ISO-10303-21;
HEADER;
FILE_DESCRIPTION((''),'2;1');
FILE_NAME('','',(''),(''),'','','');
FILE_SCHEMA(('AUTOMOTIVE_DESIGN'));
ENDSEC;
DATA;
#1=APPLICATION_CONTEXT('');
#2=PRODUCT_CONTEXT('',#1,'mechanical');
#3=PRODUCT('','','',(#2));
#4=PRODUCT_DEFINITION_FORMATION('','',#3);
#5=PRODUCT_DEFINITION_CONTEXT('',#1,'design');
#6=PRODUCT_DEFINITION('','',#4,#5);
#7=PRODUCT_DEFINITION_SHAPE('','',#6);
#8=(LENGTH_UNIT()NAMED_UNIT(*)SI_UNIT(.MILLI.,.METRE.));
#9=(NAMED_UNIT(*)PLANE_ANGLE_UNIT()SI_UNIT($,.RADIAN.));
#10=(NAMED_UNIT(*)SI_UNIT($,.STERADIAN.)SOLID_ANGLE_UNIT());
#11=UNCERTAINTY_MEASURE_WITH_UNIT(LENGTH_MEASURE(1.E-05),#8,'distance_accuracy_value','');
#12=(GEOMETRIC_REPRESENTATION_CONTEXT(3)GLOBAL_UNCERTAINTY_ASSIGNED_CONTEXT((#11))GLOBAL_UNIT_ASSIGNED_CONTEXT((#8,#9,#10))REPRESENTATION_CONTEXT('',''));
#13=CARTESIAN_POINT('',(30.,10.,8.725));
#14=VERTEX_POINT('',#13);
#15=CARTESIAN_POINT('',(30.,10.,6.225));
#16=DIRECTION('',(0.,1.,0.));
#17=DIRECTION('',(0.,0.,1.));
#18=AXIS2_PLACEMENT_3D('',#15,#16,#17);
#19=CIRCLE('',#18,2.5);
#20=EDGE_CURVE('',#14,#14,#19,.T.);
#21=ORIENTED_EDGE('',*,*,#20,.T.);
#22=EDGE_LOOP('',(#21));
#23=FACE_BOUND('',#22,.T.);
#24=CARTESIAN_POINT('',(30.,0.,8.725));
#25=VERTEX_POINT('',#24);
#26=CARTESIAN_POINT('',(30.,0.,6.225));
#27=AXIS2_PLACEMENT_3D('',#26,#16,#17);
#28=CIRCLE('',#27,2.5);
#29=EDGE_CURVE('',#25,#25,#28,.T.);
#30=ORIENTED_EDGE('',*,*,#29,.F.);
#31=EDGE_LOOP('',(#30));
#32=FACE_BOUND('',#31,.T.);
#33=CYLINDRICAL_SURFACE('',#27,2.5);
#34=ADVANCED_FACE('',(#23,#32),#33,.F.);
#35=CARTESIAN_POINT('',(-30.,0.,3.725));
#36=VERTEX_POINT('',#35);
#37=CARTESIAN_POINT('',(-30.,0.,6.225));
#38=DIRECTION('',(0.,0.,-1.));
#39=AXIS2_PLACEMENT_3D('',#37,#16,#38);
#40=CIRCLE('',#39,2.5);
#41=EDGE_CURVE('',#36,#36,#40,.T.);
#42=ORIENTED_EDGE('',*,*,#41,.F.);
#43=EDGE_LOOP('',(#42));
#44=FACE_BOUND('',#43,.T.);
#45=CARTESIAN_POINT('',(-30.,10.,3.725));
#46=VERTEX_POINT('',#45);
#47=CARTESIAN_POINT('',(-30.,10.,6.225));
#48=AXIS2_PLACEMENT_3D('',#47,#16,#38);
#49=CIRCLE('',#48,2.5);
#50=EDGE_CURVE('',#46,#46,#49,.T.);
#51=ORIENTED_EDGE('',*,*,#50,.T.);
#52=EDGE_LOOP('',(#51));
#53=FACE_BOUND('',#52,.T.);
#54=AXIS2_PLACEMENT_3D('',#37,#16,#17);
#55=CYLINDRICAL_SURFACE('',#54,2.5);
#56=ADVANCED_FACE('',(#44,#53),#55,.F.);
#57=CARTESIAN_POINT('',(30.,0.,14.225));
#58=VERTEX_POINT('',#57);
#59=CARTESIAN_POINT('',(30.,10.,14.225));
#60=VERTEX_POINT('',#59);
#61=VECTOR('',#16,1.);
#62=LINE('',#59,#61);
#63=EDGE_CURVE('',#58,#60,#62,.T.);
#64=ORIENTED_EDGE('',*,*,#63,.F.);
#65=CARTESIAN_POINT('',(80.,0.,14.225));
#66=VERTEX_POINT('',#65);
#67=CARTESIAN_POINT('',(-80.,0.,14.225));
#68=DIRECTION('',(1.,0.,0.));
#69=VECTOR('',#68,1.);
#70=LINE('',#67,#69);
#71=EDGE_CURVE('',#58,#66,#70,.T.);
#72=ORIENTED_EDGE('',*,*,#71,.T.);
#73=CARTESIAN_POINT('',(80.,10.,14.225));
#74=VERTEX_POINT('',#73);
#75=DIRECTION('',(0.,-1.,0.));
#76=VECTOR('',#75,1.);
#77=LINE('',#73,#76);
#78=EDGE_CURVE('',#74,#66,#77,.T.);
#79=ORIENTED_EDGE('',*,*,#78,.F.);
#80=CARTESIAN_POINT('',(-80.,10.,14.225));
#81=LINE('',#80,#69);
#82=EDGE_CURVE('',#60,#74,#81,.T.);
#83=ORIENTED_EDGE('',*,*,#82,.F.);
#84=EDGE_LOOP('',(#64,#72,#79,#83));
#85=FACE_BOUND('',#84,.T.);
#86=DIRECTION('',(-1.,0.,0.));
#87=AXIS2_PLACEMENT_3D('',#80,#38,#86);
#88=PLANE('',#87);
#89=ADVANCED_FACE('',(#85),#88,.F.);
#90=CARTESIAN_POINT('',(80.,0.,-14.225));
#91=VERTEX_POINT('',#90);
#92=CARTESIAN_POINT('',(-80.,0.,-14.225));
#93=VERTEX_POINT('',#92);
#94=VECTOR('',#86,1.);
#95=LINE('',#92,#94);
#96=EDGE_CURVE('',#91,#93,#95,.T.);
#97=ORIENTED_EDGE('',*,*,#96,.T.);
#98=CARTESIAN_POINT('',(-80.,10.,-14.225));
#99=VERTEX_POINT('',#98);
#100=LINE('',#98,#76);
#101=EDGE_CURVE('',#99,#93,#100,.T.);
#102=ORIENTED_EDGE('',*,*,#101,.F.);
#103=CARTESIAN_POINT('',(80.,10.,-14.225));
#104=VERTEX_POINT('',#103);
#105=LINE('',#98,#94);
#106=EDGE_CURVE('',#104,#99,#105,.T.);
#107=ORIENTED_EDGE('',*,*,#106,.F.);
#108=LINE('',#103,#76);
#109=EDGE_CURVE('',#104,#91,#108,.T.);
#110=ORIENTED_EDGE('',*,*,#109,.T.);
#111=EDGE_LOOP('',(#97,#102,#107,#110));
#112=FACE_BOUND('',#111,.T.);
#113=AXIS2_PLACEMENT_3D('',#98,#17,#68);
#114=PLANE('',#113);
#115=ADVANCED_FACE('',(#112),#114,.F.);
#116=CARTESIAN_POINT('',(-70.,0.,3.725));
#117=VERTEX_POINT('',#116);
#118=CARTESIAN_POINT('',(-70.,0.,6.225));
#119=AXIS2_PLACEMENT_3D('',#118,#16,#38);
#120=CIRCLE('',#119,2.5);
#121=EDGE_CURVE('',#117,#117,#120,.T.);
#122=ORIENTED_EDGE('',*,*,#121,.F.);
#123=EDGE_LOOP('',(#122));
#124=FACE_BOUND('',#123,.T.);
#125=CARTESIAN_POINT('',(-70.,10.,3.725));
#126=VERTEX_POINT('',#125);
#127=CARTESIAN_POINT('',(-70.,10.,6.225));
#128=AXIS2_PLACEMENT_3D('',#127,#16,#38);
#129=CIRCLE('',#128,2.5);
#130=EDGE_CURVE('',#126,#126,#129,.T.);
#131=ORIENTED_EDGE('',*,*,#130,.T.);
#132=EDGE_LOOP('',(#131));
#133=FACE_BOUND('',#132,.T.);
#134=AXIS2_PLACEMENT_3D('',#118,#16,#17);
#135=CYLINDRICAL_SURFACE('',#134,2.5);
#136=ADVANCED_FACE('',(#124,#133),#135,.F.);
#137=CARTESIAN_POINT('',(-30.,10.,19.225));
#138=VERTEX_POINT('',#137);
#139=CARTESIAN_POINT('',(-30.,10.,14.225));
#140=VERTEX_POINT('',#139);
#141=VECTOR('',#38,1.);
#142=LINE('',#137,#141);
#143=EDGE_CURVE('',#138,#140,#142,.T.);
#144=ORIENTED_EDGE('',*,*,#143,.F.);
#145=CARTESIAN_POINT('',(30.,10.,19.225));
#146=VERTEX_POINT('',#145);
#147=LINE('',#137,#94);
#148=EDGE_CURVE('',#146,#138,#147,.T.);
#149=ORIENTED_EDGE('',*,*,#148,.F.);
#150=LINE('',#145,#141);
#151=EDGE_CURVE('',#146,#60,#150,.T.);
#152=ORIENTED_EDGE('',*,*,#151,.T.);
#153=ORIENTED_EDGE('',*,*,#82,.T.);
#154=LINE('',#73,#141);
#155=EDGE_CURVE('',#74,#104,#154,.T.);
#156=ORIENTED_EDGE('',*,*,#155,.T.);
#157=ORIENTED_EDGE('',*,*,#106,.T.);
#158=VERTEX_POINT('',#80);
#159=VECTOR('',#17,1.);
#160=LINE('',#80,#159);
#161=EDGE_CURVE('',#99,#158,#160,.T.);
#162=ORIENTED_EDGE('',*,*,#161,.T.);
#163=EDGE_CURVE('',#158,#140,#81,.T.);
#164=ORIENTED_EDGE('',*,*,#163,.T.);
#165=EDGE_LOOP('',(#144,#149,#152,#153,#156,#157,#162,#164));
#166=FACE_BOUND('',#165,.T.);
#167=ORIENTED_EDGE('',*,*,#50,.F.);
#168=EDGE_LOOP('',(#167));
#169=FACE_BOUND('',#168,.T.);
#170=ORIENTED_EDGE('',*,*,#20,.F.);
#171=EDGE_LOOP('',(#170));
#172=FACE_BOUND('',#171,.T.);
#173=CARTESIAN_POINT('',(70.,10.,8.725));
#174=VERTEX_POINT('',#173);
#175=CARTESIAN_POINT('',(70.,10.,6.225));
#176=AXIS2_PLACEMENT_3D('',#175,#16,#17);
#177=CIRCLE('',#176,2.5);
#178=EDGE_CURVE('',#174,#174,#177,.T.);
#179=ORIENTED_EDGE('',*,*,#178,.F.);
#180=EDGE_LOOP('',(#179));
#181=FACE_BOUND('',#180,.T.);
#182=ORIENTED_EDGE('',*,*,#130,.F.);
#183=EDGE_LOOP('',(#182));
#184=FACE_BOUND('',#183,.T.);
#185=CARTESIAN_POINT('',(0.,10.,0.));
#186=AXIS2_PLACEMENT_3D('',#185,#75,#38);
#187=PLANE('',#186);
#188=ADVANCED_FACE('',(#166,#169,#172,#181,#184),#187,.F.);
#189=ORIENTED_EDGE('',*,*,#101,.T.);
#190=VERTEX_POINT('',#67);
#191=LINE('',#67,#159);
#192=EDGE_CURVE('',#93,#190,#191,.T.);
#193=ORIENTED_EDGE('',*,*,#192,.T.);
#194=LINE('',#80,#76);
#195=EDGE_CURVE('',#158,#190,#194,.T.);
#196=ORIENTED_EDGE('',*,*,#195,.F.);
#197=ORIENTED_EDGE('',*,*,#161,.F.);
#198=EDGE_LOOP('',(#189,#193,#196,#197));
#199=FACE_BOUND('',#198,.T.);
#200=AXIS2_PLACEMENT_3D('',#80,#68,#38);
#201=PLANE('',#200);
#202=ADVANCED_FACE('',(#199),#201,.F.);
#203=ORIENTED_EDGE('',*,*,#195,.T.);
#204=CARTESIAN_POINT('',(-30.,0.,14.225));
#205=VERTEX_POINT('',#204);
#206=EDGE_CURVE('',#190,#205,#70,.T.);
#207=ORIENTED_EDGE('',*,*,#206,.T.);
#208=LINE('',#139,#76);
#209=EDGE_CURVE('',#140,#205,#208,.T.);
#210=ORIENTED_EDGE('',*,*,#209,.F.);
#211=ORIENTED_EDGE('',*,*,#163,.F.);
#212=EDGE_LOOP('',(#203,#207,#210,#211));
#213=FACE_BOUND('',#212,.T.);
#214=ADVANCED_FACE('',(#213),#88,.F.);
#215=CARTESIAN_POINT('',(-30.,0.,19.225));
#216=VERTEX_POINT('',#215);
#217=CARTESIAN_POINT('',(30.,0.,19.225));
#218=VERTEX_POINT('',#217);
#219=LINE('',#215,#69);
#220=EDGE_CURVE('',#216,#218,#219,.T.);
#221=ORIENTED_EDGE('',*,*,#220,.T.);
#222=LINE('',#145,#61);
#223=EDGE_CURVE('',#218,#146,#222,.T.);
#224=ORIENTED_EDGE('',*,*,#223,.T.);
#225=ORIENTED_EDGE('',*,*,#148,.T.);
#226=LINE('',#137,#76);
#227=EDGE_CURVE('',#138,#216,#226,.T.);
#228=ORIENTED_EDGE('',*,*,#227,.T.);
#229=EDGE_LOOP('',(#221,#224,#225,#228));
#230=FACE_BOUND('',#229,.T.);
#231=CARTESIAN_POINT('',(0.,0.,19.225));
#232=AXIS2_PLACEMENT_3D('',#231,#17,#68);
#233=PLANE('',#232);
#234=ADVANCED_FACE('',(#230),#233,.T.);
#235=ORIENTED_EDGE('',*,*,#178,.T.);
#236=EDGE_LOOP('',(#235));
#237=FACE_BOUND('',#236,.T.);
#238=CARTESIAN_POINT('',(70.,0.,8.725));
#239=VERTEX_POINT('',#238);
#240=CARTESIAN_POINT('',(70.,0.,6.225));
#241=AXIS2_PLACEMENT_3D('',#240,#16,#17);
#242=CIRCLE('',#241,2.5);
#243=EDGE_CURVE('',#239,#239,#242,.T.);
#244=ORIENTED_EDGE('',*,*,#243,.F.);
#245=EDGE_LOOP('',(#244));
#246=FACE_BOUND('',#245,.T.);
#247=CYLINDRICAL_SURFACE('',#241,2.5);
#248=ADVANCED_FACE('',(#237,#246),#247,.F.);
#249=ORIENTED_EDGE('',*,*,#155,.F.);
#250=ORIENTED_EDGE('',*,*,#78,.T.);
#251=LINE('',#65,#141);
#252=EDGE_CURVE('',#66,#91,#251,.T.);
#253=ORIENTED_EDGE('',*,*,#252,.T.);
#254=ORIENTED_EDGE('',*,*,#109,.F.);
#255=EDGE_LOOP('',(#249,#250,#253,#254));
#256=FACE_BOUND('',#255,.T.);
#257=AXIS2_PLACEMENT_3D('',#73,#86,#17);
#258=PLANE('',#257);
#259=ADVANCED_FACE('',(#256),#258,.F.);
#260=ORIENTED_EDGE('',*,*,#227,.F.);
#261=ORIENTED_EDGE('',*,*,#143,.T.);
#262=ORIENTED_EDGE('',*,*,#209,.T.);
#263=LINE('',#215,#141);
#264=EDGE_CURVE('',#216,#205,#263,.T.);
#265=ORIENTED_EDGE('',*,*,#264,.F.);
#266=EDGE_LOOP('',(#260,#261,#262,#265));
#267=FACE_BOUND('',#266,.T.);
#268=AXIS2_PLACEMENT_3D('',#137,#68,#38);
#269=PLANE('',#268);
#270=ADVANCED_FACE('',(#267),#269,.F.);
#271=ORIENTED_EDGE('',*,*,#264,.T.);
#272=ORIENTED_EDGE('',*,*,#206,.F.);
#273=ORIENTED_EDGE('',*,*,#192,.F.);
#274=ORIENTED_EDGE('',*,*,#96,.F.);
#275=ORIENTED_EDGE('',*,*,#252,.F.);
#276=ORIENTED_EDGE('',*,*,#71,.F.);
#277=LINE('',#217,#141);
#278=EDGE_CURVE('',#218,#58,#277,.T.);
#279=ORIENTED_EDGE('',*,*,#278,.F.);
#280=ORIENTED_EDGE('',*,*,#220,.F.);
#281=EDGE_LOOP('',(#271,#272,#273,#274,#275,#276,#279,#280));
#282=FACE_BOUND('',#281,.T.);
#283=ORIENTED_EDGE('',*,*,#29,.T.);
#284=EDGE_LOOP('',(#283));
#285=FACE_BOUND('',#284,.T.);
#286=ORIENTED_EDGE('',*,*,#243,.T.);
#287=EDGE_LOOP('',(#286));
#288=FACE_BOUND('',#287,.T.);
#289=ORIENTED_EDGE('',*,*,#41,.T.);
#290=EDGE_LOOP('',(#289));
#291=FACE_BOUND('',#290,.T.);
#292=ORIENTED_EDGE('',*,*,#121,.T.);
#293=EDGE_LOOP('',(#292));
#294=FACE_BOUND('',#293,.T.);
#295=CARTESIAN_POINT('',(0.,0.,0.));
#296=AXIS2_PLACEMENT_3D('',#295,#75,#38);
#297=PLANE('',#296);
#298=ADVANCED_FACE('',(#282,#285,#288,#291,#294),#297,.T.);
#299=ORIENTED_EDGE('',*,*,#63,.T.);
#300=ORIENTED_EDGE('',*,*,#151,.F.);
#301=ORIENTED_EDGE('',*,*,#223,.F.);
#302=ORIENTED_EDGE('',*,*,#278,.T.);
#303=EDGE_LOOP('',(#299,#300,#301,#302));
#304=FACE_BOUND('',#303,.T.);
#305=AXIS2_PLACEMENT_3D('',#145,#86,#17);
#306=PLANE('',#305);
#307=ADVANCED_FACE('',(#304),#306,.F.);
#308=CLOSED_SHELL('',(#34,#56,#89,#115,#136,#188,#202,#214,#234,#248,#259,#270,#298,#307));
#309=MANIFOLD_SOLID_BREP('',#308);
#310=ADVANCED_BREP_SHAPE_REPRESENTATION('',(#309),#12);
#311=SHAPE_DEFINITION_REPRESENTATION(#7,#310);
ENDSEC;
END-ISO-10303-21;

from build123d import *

# Parameters (mm, degrees)
SKETCH2_W           = 160
SKETCH2_H           = 28.45
BOSS_EXTRUDE1_DEPTH = 10
SKETCH4_W           = 60
SKETCH4_H           = 10
BOSS_EXTRUDE2_DEPTH = 5
SKETCH5_R           = 2.5
CUT_EXTRUDE1_DEPTH  = 83.883053907


with BuildPart() as part:
    # Sketch2 → Boss-Extrude1 (new body)
    with BuildSketch(Plane(origin=(0, 0, 0), x_dir=(1, 0, 0), z_dir=(0, 1, 0))):
        Rectangle(SKETCH2_W, SKETCH2_H)
    extrude(amount=BOSS_EXTRUDE1_DEPTH)

    # Sketch4 → Boss-Extrude2 (add)
    with BuildSketch(Plane.XY.offset(14.225)):
        with Locations((0, 5)):
            Rectangle(SKETCH4_W, SKETCH4_H)
    extrude(amount=BOSS_EXTRUDE2_DEPTH)

    # Sketch5 → Cut-Extrude1 (cut, through all)
    with BuildSketch(Plane(origin=(0, 10, 0), x_dir=(1, 0, 0), z_dir=(0, 1, 0))):
        with Locations(Location((70, -6.225, 0), (0, 0, 270))):
            Circle(SKETCH5_R)
        with Locations(Location((30, -6.225, 0), (0, 0, 270))):
            Circle(SKETCH5_R)
        with Locations(Location((-30, -6.225, 0), (0, 0, 90))):
            Circle(SKETCH5_R)
        with Locations(Location((-70, -6.225, 0), (0, 0, 90))):
            Circle(SKETCH5_R)
    extrude(amount=-CUT_EXTRUDE1_DEPTH, mode=Mode.SUBTRACT)


solid = part.part
